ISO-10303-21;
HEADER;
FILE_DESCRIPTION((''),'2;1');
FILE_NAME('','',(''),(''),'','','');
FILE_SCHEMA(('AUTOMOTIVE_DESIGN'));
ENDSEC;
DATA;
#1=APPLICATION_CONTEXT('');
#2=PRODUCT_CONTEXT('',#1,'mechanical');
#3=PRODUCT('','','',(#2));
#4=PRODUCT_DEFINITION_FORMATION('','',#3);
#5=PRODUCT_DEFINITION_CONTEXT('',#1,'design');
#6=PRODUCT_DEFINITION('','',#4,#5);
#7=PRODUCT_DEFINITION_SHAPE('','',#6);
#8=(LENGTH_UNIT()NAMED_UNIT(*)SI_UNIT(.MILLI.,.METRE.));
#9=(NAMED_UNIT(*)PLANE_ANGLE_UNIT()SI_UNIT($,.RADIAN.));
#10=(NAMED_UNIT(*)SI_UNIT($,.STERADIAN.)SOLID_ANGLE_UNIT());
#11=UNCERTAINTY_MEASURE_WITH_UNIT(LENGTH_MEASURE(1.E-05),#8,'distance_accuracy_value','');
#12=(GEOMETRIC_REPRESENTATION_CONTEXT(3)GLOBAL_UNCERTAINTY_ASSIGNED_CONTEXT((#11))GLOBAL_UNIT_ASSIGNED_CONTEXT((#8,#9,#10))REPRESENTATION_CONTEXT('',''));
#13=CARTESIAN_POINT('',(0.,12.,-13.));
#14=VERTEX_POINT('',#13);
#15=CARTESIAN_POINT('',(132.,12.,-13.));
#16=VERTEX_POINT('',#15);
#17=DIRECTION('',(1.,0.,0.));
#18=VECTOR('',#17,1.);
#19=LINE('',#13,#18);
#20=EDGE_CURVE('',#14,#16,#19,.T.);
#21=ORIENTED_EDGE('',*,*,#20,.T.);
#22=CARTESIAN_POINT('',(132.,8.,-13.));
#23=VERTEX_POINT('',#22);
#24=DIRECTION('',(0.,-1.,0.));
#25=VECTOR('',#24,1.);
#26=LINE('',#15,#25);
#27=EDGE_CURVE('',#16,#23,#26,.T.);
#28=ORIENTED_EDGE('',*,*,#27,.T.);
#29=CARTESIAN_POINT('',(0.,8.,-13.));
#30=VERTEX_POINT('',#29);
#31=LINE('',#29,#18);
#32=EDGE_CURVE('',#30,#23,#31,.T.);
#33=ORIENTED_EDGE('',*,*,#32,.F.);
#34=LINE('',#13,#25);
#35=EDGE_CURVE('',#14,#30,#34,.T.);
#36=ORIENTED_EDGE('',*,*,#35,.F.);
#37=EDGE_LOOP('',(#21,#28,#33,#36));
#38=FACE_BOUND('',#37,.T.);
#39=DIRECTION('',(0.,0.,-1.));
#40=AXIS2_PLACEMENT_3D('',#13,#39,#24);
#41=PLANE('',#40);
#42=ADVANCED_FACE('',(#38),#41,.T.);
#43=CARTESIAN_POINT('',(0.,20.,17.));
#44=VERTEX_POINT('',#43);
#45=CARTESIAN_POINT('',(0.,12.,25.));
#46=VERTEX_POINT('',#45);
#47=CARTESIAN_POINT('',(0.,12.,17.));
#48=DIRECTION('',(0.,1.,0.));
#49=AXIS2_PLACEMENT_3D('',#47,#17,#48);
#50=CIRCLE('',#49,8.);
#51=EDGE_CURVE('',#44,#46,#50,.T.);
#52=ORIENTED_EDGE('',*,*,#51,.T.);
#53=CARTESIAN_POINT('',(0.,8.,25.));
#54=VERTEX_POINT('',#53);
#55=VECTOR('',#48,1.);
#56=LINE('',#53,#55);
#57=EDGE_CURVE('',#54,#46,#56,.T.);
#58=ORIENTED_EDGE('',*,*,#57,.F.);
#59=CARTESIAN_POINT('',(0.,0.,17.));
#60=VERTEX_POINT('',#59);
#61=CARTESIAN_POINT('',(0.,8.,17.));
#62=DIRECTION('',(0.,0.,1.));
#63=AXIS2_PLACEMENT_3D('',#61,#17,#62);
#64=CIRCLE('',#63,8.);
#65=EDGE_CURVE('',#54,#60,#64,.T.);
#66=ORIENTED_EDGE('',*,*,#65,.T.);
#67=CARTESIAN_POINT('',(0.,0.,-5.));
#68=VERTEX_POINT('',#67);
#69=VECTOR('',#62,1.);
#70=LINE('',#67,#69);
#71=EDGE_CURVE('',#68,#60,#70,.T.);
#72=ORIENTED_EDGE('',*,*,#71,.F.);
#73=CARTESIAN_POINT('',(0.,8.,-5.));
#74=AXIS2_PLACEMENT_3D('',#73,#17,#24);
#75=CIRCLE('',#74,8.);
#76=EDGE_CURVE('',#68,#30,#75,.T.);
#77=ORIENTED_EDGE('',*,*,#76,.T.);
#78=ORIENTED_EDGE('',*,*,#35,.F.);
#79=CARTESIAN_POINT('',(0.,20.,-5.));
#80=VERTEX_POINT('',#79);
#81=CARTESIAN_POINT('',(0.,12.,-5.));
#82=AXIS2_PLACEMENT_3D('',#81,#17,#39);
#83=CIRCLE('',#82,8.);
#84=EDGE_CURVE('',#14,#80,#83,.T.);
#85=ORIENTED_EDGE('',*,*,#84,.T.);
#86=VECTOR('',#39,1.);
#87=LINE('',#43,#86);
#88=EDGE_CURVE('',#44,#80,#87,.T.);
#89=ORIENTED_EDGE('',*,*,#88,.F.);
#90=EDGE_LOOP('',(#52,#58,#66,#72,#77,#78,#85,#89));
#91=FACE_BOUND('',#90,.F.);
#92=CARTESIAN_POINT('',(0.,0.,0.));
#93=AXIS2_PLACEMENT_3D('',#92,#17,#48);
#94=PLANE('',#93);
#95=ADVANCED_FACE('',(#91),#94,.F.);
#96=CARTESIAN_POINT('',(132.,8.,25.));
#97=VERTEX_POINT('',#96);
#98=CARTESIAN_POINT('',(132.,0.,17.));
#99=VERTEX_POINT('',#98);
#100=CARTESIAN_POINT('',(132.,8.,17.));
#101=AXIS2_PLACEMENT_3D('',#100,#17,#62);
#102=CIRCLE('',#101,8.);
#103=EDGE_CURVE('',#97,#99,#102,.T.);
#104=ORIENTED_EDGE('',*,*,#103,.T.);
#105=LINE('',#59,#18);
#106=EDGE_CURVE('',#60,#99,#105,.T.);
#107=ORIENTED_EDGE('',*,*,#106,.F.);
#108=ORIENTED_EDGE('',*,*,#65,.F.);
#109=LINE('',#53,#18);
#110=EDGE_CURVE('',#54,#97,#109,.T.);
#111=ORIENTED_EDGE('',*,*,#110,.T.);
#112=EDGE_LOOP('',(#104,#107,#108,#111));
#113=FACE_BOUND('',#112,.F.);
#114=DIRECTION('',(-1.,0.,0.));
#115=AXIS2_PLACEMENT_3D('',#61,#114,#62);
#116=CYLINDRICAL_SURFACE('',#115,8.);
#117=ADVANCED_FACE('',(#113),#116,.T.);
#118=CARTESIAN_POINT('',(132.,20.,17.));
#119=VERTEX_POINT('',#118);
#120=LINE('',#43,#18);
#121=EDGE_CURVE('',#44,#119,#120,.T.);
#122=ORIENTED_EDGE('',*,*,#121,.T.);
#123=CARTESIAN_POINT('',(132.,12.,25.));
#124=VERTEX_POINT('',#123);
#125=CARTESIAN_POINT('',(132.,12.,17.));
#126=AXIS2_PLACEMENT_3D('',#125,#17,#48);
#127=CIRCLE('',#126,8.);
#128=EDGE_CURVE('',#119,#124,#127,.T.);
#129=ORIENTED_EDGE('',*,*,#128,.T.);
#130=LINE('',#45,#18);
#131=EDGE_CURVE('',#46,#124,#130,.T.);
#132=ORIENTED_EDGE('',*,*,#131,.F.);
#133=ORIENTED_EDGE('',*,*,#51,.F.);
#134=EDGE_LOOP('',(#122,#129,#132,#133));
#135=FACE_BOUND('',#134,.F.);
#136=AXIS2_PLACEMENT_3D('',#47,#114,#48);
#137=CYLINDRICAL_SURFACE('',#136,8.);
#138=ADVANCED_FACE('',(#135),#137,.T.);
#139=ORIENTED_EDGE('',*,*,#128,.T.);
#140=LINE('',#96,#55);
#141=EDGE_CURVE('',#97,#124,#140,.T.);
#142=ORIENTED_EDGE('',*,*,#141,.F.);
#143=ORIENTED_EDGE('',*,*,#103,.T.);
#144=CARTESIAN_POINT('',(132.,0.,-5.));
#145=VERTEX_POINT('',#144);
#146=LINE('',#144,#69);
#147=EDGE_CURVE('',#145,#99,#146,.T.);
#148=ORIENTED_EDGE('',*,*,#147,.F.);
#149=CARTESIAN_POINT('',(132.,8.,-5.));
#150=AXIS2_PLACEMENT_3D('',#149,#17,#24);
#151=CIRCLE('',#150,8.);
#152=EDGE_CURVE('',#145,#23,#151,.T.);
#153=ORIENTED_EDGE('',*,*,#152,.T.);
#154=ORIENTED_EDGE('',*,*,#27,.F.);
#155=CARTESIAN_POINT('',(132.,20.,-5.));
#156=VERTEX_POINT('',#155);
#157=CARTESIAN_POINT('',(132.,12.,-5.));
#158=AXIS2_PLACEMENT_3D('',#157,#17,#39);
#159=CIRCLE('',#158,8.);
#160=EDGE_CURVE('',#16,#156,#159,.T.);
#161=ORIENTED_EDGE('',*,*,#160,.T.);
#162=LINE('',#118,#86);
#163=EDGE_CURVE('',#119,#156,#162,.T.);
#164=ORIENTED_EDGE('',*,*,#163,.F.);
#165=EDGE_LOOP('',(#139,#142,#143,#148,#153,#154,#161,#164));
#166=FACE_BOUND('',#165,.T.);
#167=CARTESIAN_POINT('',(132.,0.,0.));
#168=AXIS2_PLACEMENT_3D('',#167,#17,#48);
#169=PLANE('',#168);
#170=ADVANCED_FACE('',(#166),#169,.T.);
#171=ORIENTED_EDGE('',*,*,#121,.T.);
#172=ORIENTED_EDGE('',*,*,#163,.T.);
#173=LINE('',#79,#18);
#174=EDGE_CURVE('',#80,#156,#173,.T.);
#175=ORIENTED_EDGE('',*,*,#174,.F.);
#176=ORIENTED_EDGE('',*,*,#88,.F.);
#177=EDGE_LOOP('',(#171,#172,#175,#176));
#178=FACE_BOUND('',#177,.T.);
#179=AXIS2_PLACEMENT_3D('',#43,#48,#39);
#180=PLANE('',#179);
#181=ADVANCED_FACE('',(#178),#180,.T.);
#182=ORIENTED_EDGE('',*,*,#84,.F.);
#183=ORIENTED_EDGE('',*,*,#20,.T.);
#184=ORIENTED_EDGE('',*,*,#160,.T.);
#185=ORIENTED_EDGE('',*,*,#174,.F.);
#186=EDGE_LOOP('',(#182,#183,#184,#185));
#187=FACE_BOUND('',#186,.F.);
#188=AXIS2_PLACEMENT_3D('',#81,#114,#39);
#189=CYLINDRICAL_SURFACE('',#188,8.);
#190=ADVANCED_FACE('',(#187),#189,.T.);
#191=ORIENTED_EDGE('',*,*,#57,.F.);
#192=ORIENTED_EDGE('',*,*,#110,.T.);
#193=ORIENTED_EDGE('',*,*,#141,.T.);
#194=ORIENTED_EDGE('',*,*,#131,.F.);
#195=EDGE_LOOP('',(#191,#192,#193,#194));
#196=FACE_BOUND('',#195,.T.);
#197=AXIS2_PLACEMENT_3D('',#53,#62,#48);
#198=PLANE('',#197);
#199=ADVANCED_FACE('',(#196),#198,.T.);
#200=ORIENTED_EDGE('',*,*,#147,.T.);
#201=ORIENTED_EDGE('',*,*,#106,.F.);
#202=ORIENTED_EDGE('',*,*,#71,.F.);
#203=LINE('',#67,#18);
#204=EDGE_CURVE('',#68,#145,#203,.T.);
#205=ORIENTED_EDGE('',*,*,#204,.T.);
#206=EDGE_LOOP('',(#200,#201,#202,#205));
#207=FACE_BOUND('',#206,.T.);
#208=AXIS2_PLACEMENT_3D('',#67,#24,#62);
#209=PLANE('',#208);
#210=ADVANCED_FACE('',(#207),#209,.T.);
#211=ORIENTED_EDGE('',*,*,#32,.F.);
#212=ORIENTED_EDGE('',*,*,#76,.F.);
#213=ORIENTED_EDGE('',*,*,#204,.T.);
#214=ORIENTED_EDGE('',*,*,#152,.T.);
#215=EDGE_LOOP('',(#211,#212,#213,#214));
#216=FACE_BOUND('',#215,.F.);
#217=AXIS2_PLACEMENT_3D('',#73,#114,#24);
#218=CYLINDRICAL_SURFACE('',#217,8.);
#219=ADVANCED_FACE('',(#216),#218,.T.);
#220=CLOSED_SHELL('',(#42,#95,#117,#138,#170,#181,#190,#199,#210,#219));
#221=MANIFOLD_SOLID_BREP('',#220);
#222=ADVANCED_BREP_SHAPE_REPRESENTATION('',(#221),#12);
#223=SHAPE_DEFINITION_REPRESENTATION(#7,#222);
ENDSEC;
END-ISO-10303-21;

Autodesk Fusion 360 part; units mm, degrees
sketch "Szkic1" plane through (0, 0, 0) normal (1, 0, 0) x (0, 1, 0)
  line L0 (8, 25) -> (12, 25)
  line L1 (20, 17) -> (20, -5)
  line L2 (12, -13) -> (8, -13)
  line L3 (0, -5) -> (0, 17)
  arc A0 (8, 25) -> (0, 17) centre (8, 17) ccw
  arc A1 (20, 17) -> (12, 25) centre (12, 17) ccw
  arc A2 (12, -13) -> (20, -5) centre (12, -5) ccw
  arc A3 (0, -5) -> (8, -13) centre (8, -5) ccw
  point P0 (0, 25)
  point P1 (20, 25)
  point P2 (20, -13)
  dimension "d1" = 20
  dimension "d2" = 38
  dimension "d3" = 8
  dimension "d4" = 8
extrude "Wyciągnięcie proste1" add sketch "Szkic1" along normal blind 132
